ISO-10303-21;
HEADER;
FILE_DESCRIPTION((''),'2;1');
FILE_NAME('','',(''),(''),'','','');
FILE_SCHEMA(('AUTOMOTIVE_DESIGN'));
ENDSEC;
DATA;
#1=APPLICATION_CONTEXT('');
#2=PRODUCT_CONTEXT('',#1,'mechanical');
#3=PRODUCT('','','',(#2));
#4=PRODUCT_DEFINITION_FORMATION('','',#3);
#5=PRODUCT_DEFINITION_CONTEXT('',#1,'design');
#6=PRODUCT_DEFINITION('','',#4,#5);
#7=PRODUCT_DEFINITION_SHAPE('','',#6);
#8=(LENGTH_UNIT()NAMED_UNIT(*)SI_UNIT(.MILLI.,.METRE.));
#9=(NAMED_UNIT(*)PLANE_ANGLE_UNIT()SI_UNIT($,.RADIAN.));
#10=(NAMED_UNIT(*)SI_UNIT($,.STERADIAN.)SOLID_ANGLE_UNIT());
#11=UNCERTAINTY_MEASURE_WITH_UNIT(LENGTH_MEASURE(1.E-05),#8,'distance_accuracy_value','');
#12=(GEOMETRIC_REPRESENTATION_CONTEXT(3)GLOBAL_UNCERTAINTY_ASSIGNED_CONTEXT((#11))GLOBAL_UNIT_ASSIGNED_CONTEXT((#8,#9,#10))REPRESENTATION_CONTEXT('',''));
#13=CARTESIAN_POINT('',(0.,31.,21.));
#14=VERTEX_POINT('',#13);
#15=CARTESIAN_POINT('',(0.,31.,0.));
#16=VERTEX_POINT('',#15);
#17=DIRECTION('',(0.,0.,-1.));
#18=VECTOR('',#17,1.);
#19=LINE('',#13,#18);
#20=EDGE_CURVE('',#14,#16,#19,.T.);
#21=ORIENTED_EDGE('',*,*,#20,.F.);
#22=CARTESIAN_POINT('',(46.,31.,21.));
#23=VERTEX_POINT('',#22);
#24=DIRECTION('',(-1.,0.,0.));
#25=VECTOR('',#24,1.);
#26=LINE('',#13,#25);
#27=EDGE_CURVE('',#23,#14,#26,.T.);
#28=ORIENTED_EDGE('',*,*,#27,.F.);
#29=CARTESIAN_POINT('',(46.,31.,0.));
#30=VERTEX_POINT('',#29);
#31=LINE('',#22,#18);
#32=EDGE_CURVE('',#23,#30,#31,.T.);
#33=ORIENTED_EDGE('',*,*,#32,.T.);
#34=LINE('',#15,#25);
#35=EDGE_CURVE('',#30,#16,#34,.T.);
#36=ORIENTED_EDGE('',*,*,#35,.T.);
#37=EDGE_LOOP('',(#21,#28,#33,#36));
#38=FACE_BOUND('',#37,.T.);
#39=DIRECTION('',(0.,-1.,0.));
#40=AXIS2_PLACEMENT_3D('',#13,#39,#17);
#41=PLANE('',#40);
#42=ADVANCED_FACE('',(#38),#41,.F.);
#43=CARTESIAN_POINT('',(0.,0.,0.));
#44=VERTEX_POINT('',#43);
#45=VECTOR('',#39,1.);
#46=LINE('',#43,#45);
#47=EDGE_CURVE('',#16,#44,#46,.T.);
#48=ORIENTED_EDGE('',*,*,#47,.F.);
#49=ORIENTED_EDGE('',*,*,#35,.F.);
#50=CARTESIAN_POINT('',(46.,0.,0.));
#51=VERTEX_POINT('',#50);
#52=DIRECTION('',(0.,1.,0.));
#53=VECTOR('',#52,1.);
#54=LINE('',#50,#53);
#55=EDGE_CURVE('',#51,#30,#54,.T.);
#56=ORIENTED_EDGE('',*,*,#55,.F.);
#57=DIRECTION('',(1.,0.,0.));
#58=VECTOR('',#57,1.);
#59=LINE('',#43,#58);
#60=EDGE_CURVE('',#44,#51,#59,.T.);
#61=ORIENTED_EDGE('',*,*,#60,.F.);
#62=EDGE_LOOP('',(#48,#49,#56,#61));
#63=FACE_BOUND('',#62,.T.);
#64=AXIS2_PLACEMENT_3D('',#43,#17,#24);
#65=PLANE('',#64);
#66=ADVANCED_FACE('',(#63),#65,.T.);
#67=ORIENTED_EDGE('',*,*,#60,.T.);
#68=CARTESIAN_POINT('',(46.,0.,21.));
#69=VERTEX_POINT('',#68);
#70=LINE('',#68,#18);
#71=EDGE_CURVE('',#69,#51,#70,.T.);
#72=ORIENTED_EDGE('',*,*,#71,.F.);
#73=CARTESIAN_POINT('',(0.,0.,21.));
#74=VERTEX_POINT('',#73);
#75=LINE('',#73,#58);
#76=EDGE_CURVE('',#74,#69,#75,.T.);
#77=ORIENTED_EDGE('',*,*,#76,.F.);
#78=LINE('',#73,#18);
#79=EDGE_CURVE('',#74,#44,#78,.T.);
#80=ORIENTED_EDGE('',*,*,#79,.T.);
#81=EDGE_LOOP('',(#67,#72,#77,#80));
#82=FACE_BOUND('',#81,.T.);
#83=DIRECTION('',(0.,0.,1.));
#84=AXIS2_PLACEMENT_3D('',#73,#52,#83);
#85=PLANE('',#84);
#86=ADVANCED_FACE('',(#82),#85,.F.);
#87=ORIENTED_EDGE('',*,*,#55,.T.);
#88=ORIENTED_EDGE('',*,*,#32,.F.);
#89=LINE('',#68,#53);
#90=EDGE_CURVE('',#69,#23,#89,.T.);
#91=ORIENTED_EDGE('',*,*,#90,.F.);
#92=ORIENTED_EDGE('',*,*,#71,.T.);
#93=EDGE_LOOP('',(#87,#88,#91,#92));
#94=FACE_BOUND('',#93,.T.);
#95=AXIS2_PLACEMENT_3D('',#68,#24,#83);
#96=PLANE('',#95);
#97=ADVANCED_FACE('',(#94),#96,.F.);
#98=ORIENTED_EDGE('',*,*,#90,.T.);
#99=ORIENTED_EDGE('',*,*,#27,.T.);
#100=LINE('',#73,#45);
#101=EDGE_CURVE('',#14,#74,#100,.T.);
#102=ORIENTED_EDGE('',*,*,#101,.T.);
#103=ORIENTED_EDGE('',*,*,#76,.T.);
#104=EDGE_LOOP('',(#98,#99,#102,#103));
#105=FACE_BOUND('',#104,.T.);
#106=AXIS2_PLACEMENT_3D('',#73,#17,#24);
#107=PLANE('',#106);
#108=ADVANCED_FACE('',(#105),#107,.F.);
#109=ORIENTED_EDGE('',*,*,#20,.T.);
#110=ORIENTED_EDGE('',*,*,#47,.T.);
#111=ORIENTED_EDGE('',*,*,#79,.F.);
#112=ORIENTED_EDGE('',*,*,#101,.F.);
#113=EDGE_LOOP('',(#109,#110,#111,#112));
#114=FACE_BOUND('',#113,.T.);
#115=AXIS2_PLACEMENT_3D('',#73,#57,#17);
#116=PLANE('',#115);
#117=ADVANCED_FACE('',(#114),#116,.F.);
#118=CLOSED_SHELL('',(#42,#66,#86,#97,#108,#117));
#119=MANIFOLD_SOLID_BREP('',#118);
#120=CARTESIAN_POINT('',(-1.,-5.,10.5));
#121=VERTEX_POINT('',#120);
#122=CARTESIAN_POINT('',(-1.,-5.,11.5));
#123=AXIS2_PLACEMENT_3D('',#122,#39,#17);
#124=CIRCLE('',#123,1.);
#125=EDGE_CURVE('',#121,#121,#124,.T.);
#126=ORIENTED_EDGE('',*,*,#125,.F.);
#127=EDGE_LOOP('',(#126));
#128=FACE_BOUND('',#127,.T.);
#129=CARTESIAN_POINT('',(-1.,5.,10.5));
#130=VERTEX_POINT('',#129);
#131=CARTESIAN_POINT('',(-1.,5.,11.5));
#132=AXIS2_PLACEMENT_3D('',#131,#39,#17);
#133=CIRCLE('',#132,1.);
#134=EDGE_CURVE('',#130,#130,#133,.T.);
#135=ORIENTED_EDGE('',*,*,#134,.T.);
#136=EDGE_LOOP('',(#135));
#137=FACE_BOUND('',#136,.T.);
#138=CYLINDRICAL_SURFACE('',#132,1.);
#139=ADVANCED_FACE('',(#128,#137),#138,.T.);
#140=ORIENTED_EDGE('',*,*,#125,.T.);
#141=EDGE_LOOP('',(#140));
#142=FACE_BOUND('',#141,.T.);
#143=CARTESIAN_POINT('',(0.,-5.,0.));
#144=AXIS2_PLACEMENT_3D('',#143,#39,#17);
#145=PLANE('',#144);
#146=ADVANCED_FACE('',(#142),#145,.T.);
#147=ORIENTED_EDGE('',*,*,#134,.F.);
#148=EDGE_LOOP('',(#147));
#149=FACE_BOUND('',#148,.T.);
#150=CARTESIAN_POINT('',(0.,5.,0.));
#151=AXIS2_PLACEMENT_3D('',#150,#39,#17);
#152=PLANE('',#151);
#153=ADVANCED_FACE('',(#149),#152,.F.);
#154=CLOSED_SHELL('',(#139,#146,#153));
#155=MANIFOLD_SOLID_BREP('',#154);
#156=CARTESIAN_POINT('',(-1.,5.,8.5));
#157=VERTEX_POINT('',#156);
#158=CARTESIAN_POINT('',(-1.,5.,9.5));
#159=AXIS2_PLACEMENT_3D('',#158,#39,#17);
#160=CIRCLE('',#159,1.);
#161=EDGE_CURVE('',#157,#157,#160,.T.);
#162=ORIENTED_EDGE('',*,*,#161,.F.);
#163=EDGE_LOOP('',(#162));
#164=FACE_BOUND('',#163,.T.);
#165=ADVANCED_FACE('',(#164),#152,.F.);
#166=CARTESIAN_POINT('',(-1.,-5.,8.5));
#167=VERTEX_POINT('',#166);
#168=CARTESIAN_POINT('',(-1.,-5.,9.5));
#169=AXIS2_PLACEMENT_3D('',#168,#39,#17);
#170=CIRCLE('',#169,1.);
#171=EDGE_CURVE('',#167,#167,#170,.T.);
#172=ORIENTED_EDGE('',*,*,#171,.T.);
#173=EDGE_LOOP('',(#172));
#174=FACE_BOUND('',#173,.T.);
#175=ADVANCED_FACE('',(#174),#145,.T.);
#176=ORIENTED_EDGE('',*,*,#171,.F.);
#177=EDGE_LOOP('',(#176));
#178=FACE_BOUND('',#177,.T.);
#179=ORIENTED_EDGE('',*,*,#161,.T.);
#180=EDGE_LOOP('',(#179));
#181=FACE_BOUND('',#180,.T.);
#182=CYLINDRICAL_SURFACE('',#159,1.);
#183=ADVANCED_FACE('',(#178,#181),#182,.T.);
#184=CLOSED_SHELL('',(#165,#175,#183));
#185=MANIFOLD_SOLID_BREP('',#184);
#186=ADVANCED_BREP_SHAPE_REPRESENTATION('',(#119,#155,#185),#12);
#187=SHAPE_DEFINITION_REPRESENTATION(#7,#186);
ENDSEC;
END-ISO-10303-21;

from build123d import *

# Parameters (mm, degrees)
SKETCH_1_W             = 46
SKETCH_1_H             = 31
EXTRUDE_1_DEPTH        = 21
SKETCH_2_R             = 1
EXTRUDE_2_DEPTH        = 5
EXTRUDE_2_DEPTH_BACK   = 5
EXTRUDE_2_2_DEPTH      = 5
EXTRUDE_2_2_DEPTH_BACK = 5


with BuildPart() as part:
    # ｽｹｯﾁ1 → ﾎﾞｽ - 押し出し1 (new body)
    with BuildSketch(Plane.XY):
        with Locations((23, 15.5)):
            Rectangle(SKETCH_1_W, SKETCH_1_H)
    extrude(amount=EXTRUDE_1_DEPTH)


with BuildPart() as body_2:
    # ｽｹｯﾁ2 → ﾎﾞｽ - 押し出し2 (new body, two sides)
    with BuildSketch(Plane.XZ) as extrude_2_sk:
        with Locations((-1, 11.5)):
            Circle(SKETCH_2_R)
    extrude(amount=EXTRUDE_2_DEPTH)
    extrude(extrude_2_sk.sketch, amount=-EXTRUDE_2_DEPTH_BACK)


with BuildPart() as body_3:
    # ｽｹｯﾁ2 → Extrude 2 2 (new body, two sides)
    with BuildSketch(Plane.XZ) as extrude_2_2_sk:
        with Locations((-1, 9.5)):
            Circle(SKETCH_2_R)
    extrude(amount=EXTRUDE_2_2_DEPTH)
    extrude(extrude_2_2_sk.sketch, amount=-EXTRUDE_2_2_DEPTH_BACK)


solid = Compound([part.part, body_2.part, body_3.part])
